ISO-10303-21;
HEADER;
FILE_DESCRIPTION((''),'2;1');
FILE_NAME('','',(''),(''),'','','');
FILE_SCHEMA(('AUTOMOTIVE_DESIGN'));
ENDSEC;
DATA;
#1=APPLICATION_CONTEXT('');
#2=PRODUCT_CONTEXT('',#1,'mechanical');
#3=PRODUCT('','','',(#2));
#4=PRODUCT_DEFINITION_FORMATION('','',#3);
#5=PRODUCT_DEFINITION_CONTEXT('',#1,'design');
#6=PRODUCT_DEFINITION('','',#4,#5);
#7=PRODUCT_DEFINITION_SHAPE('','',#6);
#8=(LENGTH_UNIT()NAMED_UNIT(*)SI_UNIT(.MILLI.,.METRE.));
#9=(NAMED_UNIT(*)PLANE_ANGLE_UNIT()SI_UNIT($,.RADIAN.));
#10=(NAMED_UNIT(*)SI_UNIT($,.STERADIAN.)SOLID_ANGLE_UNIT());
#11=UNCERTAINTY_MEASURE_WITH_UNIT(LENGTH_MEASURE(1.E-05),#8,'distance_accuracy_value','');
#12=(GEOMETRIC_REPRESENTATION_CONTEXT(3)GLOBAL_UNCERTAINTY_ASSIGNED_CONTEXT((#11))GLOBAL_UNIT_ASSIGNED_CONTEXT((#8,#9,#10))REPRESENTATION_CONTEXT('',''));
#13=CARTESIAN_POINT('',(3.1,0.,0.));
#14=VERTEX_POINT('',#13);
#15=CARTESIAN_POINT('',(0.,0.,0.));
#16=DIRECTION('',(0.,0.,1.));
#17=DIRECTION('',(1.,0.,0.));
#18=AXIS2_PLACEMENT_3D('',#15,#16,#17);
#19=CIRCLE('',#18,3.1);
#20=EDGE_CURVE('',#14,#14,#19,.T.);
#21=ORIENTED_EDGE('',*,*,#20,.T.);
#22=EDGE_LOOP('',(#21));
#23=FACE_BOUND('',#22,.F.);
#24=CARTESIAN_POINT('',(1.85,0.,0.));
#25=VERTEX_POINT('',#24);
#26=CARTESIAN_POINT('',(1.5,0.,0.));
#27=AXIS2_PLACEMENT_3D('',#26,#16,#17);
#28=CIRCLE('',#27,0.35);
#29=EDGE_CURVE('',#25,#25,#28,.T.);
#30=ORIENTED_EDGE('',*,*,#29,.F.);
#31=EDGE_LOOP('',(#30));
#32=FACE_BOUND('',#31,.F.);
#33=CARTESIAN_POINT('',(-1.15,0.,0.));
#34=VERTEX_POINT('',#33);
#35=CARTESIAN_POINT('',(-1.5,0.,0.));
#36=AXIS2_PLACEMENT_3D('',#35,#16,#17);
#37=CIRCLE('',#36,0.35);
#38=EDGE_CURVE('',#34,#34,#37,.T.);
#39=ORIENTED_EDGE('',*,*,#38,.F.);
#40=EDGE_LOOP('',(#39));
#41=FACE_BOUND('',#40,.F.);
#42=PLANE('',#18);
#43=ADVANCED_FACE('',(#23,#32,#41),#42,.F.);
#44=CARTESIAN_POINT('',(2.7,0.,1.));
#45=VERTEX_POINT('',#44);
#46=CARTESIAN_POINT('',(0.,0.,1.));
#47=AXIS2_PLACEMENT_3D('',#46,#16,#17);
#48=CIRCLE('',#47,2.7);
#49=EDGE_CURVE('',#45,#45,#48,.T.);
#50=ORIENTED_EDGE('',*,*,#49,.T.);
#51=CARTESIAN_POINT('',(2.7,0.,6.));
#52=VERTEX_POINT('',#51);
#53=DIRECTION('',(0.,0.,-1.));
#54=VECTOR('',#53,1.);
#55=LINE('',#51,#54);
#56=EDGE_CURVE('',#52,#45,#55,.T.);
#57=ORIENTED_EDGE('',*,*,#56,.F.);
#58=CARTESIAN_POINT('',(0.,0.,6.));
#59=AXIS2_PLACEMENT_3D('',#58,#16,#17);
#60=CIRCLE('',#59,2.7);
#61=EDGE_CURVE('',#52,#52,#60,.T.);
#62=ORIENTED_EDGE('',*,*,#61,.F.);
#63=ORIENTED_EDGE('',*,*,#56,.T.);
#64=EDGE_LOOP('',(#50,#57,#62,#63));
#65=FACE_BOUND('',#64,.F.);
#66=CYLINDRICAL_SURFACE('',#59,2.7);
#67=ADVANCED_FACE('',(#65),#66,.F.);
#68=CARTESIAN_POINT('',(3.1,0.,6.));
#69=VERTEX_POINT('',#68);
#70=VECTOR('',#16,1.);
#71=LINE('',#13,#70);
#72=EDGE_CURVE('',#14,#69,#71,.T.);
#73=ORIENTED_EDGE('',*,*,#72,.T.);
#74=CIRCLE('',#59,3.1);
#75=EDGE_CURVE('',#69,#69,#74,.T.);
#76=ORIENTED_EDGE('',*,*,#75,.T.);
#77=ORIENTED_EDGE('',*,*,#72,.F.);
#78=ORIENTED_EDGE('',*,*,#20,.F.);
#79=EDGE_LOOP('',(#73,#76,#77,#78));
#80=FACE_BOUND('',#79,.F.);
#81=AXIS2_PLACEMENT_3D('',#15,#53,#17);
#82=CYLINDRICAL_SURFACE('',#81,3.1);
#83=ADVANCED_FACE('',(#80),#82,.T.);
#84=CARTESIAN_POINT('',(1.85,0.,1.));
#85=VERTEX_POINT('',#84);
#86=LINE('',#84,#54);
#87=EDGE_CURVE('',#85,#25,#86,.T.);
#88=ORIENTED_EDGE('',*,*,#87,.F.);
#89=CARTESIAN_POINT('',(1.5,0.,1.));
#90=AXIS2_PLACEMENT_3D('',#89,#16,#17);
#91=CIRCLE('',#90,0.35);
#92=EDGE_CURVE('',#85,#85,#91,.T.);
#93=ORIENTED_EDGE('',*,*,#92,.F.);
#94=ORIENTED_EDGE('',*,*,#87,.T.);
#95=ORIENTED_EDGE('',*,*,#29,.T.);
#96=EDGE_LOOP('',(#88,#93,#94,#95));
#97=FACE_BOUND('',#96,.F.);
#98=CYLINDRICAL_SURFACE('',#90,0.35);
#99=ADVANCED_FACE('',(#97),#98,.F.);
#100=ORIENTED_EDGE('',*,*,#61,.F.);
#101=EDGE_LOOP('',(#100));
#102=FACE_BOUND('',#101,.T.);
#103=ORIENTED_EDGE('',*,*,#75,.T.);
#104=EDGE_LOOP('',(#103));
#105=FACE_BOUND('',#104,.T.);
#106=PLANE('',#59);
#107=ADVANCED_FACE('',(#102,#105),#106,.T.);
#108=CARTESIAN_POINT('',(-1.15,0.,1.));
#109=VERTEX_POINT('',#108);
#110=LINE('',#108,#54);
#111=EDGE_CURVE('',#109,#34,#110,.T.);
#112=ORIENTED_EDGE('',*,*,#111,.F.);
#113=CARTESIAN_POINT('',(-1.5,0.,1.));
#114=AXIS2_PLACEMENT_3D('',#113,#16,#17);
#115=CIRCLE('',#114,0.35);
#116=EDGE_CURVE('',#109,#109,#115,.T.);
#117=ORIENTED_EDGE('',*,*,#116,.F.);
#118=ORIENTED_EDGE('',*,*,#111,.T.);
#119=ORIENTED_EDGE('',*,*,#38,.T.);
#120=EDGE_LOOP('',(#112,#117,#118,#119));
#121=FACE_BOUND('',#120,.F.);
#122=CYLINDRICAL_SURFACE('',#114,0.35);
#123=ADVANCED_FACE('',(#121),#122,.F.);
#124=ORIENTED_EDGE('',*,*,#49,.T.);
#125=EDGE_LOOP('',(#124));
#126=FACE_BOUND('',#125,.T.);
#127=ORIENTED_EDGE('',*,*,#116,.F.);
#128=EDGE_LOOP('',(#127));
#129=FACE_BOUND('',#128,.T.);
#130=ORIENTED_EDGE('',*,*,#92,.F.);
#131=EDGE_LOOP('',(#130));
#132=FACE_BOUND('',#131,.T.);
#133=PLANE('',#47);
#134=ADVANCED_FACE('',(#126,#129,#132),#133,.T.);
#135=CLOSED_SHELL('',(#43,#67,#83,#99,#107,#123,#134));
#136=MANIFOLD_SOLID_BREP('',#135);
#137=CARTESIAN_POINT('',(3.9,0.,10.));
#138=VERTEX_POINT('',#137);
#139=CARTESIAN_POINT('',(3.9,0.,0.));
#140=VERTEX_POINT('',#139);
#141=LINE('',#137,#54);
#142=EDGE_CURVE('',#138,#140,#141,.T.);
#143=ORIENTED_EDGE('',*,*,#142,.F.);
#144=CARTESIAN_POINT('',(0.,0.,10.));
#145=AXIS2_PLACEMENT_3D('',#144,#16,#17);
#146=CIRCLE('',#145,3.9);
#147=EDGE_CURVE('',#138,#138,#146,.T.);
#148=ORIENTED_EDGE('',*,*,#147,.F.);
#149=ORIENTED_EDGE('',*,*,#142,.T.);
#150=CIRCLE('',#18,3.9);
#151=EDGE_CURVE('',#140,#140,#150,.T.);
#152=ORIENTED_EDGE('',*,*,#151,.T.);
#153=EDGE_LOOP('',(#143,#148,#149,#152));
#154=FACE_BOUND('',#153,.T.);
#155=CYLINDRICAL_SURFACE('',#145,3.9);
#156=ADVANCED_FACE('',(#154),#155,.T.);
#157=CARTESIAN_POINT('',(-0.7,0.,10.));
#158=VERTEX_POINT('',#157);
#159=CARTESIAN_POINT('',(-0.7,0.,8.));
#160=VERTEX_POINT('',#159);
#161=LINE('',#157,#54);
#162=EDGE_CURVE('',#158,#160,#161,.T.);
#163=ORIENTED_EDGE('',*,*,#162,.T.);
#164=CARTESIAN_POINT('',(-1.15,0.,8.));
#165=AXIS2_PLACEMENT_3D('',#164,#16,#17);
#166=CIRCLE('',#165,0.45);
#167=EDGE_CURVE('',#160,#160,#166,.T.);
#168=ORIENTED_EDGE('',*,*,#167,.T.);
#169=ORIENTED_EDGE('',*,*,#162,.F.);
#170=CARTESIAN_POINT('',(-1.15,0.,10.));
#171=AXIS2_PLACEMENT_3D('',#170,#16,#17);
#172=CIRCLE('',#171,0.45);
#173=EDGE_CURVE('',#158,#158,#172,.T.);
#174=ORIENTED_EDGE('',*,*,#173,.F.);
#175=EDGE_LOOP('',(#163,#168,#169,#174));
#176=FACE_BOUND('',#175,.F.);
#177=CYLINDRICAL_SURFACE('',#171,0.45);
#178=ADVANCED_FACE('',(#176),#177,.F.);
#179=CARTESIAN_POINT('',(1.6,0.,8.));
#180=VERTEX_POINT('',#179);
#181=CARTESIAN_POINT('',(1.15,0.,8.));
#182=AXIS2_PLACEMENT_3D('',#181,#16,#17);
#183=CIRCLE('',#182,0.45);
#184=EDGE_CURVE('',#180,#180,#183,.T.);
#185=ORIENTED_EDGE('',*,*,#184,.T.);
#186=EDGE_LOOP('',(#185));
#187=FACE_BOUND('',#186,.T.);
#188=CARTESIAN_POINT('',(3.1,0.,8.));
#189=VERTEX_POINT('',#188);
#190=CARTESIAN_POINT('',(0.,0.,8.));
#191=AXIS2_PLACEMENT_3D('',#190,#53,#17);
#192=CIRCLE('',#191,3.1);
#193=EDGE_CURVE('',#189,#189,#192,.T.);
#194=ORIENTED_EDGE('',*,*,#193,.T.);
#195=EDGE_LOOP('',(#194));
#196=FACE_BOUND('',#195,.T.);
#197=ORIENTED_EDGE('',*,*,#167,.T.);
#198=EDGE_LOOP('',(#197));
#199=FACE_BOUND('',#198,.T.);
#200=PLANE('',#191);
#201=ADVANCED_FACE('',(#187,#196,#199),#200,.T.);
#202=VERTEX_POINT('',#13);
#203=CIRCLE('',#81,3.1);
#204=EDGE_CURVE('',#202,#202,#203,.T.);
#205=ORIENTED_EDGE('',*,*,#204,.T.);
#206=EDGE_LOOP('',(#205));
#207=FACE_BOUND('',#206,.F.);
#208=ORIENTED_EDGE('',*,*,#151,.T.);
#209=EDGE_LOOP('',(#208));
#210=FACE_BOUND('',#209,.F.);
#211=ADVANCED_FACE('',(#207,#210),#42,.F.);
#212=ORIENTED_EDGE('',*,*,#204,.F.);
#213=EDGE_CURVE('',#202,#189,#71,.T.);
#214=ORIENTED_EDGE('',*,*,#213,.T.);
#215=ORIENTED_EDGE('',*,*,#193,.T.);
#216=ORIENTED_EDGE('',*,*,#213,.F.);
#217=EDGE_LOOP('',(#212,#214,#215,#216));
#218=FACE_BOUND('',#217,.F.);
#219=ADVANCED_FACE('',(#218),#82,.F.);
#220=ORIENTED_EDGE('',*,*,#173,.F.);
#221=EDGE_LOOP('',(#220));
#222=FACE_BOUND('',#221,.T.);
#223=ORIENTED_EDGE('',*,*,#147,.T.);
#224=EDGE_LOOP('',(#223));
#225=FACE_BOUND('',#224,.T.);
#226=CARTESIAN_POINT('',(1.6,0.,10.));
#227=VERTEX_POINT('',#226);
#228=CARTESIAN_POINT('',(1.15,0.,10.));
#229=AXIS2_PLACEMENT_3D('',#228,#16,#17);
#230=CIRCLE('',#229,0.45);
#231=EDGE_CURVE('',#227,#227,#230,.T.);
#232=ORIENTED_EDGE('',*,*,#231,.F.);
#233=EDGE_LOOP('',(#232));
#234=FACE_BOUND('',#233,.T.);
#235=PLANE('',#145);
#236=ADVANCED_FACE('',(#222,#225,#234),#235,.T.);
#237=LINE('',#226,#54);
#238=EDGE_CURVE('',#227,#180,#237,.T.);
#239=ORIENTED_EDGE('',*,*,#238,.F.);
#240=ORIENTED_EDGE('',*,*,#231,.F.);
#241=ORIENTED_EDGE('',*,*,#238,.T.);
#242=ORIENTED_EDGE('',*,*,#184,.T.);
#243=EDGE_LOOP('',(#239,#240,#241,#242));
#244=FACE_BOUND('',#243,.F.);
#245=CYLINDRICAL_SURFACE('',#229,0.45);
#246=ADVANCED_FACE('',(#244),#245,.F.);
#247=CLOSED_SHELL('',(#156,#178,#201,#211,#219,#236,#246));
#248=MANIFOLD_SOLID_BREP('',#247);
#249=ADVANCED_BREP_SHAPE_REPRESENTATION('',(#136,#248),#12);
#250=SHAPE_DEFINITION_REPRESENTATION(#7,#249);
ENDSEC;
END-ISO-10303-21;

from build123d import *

# Parameters (mm, degrees)
SKETCH_R        = 3.1
PAD_DEPTH       = 6
SKETCH001_R     = 2.7
POCKET_DEPTH    = 5
SKETCH002_R     = 0.35
POCKET001_DEPTH = 1.001
SKETCH003_R     = 3.9
PAD001_DEPTH    = 10
SKETCH004_R     = 3.1
POCKET002_DEPTH = 8
SKETCH005_R     = 0.45
POCKET003_DEPTH = 10.001


with BuildPart() as ldr_housing:
    # Sketch → Pad (new body)
    with BuildSketch(Plane.XY):
        Circle(SKETCH_R)
    extrude(amount=PAD_DEPTH)

    # Sketch001 (on Face3 of Pad) → Pocket (cut)
    with BuildSketch(Plane.XY.offset(6)):
        Circle(SKETCH001_R)
    extrude(amount=-POCKET_DEPTH, mode=Mode.SUBTRACT)

    # Sketch002 (on Face5 of Pocket) → Pocket001 (cut, through all)
    with BuildSketch(Plane.XY.offset(1)):
        with Locations((-1.5, 0)):
            Circle(SKETCH002_R)
        with Locations((1.5, 0)):
            Circle(SKETCH002_R)
    extrude(amount=-POCKET001_DEPTH, mode=Mode.SUBTRACT)


with BuildPart() as led_housing:
    # Sketch003 (on DatumPlane) → Pad001 (new body)
    with BuildSketch(Plane.XY.offset(10)):
        Circle(SKETCH003_R)
    extrude(amount=-PAD001_DEPTH)

    # Sketch004 (on Face3 of Pad001) → Pocket002 (cut)
    with BuildSketch(Plane(origin=(0, 0, 0), x_dir=(1, 0, 0), z_dir=(0, 0, -1))):
        Circle(SKETCH004_R)
    extrude(amount=-POCKET002_DEPTH, mode=Mode.SUBTRACT)

    # Sketch005 (on Face2 of Pocket002) → Pocket003 (cut, through all)
    with BuildSketch(Plane.XY.offset(10)):
        with Locations((-1.15, 0)):
            Circle(SKETCH005_R)
        with Locations((1.15, 0)):
            Circle(SKETCH005_R)
    extrude(amount=-POCKET003_DEPTH, mode=Mode.SUBTRACT)


solid = Compound([ldr_housing.part, led_housing.part])
